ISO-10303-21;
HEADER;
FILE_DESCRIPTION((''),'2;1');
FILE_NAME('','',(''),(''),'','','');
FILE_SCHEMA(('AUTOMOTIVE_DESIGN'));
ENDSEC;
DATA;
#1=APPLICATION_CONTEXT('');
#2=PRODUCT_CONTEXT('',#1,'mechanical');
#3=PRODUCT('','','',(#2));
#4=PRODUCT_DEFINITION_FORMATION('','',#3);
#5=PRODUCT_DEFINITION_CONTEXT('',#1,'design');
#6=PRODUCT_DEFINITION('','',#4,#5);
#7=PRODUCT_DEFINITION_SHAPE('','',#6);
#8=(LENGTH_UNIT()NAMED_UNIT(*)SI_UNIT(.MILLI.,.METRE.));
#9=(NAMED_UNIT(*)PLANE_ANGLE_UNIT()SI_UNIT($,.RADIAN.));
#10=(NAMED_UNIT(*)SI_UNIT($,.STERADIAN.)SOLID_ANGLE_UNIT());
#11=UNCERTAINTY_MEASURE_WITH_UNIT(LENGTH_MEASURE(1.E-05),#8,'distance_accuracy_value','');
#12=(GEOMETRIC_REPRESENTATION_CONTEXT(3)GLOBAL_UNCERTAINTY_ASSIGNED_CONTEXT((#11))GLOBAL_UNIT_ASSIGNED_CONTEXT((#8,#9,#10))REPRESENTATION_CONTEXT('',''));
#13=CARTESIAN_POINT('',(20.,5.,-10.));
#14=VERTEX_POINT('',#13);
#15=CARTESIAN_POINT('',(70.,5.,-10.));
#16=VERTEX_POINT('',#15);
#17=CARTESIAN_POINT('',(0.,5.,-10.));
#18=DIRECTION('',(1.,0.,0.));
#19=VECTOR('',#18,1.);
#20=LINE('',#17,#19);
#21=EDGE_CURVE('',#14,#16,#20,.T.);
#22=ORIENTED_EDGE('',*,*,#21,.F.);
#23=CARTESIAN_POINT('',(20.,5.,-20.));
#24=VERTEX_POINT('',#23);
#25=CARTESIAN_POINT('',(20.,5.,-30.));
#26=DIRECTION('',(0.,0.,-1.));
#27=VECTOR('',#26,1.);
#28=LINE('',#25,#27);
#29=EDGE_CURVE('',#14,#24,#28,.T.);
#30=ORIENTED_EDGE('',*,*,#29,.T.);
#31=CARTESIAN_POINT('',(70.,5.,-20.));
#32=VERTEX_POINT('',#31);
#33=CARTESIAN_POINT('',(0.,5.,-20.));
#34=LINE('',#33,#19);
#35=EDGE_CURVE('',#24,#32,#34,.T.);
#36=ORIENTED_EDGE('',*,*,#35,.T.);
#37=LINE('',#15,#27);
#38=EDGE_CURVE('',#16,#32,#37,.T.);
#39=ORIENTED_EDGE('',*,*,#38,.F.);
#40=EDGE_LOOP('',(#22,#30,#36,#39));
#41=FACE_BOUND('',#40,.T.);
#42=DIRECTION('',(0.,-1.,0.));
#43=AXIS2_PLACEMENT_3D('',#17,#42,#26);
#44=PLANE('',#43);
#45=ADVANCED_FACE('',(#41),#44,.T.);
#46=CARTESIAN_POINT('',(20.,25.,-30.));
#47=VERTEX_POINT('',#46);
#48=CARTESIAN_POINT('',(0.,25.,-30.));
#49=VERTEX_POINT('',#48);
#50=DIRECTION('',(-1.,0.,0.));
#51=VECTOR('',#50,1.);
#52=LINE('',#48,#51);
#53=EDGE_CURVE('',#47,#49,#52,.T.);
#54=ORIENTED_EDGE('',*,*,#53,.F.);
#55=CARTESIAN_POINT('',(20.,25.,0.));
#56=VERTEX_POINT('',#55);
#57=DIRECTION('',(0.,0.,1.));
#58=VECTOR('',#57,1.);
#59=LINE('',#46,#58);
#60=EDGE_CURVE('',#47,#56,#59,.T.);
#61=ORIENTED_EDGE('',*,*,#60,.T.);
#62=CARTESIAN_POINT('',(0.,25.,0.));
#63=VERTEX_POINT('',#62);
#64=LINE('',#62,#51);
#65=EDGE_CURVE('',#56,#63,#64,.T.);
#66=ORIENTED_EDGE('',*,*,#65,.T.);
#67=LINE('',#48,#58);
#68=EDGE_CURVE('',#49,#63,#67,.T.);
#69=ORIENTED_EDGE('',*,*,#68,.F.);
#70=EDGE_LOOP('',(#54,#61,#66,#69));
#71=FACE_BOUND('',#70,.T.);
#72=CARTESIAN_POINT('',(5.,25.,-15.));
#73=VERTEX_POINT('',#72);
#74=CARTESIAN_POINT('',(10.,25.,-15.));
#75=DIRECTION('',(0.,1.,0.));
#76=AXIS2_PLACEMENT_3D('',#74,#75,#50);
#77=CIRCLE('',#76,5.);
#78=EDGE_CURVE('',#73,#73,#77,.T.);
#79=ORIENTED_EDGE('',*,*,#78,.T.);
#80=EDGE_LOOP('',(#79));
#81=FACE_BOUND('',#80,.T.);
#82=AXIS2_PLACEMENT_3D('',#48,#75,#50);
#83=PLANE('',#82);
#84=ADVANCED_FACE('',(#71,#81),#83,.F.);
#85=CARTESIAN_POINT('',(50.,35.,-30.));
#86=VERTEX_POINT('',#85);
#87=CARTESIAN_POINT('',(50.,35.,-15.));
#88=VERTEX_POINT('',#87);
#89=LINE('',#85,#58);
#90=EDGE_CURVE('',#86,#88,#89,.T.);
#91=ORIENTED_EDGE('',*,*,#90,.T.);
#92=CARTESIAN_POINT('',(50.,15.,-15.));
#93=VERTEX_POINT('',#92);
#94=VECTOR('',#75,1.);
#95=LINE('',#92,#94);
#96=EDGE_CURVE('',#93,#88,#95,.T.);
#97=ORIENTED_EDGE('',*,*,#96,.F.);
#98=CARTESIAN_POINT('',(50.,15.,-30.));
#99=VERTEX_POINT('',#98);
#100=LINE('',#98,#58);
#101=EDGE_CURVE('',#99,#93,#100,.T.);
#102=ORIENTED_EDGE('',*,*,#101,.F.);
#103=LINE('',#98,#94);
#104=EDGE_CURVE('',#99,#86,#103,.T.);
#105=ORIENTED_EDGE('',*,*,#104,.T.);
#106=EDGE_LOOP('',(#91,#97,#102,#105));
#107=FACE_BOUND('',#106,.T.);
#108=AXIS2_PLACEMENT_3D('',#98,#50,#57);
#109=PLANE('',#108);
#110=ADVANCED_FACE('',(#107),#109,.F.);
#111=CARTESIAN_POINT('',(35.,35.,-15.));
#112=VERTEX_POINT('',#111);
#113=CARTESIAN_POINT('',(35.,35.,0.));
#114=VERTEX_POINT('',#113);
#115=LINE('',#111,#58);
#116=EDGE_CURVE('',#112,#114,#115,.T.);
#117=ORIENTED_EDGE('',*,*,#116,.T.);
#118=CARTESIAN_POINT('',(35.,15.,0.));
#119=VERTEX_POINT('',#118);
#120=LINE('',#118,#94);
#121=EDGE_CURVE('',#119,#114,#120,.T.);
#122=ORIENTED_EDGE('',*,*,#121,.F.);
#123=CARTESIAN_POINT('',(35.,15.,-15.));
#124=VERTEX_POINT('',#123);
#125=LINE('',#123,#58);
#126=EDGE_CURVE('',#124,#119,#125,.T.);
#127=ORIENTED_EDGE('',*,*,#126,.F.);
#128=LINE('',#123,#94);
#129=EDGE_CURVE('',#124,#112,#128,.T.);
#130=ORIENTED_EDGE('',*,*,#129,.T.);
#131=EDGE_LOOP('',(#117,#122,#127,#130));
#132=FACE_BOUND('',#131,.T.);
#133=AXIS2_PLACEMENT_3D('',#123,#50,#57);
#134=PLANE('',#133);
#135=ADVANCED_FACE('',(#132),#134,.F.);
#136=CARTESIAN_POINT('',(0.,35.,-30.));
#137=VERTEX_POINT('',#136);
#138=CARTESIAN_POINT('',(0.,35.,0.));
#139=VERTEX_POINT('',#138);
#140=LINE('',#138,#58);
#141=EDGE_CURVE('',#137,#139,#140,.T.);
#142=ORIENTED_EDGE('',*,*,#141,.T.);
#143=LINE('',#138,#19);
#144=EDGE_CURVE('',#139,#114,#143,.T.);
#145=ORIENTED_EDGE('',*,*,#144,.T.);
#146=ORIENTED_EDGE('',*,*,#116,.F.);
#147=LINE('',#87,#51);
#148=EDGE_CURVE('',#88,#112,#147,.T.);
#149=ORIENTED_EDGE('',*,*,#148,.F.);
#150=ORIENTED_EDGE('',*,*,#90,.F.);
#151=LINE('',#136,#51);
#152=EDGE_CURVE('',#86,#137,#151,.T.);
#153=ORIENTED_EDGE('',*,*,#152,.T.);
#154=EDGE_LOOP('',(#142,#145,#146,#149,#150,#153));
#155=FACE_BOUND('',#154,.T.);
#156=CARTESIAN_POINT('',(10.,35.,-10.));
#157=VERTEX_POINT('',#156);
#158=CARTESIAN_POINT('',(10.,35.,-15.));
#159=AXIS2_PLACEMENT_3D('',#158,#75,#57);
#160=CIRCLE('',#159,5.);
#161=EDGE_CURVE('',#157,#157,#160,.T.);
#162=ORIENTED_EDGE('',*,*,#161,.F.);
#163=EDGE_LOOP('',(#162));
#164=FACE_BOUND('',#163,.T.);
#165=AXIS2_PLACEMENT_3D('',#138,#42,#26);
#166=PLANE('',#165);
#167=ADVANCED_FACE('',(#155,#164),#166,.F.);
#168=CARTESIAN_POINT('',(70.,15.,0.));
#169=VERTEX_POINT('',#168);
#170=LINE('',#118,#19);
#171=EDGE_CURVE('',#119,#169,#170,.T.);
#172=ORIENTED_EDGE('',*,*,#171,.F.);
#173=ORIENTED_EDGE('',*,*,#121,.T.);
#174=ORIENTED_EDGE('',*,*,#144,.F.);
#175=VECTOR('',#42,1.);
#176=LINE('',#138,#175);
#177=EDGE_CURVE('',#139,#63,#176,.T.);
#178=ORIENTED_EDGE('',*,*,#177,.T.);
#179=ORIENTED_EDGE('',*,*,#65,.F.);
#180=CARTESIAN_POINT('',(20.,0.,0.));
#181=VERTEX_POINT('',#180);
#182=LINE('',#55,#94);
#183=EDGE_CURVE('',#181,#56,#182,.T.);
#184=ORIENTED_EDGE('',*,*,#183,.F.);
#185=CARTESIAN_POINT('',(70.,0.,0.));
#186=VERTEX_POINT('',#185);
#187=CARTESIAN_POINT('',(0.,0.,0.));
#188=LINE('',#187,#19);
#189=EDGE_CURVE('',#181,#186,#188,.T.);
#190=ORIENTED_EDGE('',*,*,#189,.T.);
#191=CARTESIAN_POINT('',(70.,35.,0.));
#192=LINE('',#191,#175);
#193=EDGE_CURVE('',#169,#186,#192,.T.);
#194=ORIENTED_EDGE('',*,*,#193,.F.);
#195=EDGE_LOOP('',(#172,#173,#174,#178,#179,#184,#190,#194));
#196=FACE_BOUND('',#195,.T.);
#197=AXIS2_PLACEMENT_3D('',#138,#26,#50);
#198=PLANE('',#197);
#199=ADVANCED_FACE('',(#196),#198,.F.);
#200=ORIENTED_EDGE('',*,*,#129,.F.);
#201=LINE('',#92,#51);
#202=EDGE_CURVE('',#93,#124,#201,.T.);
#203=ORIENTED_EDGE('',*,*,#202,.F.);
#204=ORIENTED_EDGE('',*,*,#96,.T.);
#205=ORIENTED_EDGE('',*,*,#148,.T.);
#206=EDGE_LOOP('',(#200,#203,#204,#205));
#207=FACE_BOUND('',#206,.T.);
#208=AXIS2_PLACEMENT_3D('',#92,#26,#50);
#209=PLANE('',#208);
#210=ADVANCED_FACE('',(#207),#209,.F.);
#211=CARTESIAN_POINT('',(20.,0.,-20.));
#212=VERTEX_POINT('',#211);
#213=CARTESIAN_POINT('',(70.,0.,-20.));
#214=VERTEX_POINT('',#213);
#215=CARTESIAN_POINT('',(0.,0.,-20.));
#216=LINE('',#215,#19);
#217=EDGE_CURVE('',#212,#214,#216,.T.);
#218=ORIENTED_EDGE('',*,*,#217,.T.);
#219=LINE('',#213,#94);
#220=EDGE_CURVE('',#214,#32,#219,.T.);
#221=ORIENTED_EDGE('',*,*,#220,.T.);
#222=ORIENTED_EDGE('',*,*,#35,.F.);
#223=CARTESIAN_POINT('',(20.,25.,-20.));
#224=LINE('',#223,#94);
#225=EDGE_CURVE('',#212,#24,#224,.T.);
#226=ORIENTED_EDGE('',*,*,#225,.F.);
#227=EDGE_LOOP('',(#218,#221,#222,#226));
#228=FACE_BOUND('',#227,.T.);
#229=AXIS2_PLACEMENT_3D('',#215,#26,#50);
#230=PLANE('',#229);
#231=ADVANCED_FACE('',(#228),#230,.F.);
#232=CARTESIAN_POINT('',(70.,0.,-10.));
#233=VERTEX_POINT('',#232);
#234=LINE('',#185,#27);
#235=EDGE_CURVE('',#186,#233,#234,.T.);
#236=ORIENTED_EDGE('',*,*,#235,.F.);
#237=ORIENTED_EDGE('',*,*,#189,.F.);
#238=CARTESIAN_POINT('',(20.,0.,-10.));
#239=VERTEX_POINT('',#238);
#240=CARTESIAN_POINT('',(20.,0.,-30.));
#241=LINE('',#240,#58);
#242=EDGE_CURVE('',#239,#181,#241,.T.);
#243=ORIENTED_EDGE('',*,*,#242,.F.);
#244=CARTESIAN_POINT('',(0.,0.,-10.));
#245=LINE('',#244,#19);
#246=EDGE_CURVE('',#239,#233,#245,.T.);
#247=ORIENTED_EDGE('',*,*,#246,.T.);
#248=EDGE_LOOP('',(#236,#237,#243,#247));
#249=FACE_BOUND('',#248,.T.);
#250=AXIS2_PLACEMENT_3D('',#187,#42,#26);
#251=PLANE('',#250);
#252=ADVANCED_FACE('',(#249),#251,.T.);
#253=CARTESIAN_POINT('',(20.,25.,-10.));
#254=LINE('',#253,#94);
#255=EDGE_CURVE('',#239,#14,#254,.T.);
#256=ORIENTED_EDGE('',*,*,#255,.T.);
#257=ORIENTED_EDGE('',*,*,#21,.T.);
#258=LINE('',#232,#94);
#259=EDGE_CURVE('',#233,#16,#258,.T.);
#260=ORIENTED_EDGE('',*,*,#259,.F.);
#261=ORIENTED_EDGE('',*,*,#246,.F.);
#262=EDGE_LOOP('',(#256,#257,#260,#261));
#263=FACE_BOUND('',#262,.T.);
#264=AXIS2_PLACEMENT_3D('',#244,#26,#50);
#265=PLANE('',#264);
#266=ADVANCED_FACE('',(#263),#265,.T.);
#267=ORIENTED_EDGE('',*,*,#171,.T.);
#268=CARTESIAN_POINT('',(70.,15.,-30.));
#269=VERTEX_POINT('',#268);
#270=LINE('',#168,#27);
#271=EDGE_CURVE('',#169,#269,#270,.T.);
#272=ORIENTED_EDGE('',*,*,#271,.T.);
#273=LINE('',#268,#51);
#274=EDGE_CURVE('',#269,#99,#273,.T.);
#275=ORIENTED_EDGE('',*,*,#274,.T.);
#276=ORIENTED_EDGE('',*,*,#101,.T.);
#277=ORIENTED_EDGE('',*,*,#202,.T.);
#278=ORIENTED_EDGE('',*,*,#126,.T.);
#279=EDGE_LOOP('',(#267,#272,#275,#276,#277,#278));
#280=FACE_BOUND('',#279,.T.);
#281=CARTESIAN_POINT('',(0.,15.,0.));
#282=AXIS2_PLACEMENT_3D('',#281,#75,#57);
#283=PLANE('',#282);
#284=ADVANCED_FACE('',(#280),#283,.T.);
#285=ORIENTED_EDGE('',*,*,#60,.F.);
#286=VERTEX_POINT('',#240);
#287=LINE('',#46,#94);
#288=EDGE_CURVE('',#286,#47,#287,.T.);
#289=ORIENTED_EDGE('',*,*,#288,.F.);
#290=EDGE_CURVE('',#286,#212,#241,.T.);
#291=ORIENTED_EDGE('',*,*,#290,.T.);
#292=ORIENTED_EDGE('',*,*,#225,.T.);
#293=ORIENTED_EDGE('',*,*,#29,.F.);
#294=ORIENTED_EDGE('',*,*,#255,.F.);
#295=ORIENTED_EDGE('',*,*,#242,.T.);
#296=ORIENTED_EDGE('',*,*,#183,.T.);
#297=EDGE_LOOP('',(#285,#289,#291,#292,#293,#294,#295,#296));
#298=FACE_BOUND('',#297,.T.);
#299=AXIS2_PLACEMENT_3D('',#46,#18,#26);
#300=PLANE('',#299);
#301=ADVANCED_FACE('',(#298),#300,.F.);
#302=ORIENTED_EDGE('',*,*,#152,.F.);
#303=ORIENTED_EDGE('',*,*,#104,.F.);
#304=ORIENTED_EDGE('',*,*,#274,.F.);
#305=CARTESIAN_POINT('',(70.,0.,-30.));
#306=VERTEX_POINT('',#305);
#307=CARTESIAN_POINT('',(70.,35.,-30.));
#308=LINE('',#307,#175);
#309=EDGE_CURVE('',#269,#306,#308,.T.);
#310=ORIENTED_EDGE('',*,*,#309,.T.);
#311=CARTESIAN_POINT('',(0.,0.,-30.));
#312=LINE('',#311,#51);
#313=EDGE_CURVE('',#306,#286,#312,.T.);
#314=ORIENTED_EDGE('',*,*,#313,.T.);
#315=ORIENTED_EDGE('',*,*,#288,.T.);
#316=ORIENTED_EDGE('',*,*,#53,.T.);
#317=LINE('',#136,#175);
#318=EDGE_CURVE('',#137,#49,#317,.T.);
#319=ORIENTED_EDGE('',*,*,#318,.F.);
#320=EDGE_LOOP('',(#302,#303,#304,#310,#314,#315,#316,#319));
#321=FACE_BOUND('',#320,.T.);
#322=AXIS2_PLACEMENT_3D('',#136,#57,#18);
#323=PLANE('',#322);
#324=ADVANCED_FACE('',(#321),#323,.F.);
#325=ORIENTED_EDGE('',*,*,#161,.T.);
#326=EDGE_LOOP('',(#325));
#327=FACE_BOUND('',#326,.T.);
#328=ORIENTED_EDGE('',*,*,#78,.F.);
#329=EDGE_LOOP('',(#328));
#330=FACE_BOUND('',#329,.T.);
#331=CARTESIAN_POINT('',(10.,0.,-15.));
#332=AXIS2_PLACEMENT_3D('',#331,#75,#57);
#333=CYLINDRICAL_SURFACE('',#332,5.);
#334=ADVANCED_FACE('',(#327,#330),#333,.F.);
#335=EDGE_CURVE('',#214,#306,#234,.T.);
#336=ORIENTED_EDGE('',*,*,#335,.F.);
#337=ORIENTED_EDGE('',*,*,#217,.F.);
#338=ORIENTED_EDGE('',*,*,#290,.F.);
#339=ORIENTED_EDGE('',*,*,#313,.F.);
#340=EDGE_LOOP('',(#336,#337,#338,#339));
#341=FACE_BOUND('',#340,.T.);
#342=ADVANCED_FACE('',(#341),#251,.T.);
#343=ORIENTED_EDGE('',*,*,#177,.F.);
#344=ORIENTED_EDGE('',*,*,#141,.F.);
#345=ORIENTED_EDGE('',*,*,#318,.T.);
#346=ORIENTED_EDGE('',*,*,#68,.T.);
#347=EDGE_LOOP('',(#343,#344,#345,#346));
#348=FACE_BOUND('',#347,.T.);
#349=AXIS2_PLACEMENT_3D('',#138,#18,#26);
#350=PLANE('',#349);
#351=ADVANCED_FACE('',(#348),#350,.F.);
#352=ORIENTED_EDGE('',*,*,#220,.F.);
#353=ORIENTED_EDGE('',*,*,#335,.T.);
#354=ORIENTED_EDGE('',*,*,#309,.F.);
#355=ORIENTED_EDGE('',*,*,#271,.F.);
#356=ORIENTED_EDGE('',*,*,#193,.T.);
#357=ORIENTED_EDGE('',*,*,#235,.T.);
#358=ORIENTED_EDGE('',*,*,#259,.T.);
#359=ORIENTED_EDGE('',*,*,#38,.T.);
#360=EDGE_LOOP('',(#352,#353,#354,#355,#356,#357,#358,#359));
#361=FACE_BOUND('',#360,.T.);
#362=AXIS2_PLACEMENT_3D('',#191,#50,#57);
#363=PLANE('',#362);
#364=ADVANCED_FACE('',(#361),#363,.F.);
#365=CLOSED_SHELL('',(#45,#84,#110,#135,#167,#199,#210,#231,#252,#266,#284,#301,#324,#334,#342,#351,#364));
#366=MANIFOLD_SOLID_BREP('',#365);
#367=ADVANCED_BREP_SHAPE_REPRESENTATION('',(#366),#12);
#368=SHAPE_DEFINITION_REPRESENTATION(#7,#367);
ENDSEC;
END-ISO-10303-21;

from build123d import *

# Parameters (mm, degrees)
SKETCH1_W           = 70
SKETCH1_H           = 30
BOSS_EXTRUDE1_DEPTH = 35
CUT_EXTRUDE1_DEPTH  = 20
SKETCH3_W           = 20
SKETCH3_H           = 25
CUT_EXTRUDE2_DEPTH  = 31
SKETCH4_R           = 5
CUT_EXTRUDE3_DEPTH  = 36
SKETCH5_W           = 10
SKETCH5_H           = 5
CUT_EXTRUDE4_DEPTH  = 71


with BuildPart() as part:
    # Sketch1 → Boss-Extrude1 (new body)
    with BuildSketch(Plane(origin=(0, 0, 0), x_dir=(1, 0, 0), z_dir=(0, 1, 0))):
        with Locations((35, 15)):
            Rectangle(SKETCH1_W, SKETCH1_H)
    extrude(amount=BOSS_EXTRUDE1_DEPTH)

    # Sketch2 → Cut-Extrude1 (cut)
    with BuildSketch(Plane(origin=(0, 35, 0), x_dir=(1, 0, 0), z_dir=(0, 1, 0))):
        Polygon((70, 30), (50, 30), (50, 15), (35, 15), (35, 0), (70, 0), align=None)
    extrude(amount=-CUT_EXTRUDE1_DEPTH, mode=Mode.SUBTRACT)

    # Sketch3 → Cut-Extrude2 (cut, through all)
    with BuildSketch(Plane.XY):
        with Locations((10, 12.5)):
            Rectangle(SKETCH3_W, SKETCH3_H)
    extrude(amount=-CUT_EXTRUDE2_DEPTH, mode=Mode.SUBTRACT)

    # Sketch4 → Cut-Extrude3 (cut, through all)
    with BuildSketch(Plane(origin=(0, 35, 0), x_dir=(1, 0, 0), z_dir=(0, 1, 0))):
        with Locations((10, 15)):
            Circle(SKETCH4_R)
    extrude(amount=-CUT_EXTRUDE3_DEPTH, mode=Mode.SUBTRACT)

    # Sketch5 → Cut-Extrude4 (cut, through all)
    with BuildSketch(Plane(origin=(70, 0, 0), x_dir=(0, 0, -1), z_dir=(1, 0, 0))):
        with Locations((15, 2.5)):
            Rectangle(SKETCH5_W, SKETCH5_H)
    extrude(amount=-CUT_EXTRUDE4_DEPTH, mode=Mode.SUBTRACT)


solid = part.part
